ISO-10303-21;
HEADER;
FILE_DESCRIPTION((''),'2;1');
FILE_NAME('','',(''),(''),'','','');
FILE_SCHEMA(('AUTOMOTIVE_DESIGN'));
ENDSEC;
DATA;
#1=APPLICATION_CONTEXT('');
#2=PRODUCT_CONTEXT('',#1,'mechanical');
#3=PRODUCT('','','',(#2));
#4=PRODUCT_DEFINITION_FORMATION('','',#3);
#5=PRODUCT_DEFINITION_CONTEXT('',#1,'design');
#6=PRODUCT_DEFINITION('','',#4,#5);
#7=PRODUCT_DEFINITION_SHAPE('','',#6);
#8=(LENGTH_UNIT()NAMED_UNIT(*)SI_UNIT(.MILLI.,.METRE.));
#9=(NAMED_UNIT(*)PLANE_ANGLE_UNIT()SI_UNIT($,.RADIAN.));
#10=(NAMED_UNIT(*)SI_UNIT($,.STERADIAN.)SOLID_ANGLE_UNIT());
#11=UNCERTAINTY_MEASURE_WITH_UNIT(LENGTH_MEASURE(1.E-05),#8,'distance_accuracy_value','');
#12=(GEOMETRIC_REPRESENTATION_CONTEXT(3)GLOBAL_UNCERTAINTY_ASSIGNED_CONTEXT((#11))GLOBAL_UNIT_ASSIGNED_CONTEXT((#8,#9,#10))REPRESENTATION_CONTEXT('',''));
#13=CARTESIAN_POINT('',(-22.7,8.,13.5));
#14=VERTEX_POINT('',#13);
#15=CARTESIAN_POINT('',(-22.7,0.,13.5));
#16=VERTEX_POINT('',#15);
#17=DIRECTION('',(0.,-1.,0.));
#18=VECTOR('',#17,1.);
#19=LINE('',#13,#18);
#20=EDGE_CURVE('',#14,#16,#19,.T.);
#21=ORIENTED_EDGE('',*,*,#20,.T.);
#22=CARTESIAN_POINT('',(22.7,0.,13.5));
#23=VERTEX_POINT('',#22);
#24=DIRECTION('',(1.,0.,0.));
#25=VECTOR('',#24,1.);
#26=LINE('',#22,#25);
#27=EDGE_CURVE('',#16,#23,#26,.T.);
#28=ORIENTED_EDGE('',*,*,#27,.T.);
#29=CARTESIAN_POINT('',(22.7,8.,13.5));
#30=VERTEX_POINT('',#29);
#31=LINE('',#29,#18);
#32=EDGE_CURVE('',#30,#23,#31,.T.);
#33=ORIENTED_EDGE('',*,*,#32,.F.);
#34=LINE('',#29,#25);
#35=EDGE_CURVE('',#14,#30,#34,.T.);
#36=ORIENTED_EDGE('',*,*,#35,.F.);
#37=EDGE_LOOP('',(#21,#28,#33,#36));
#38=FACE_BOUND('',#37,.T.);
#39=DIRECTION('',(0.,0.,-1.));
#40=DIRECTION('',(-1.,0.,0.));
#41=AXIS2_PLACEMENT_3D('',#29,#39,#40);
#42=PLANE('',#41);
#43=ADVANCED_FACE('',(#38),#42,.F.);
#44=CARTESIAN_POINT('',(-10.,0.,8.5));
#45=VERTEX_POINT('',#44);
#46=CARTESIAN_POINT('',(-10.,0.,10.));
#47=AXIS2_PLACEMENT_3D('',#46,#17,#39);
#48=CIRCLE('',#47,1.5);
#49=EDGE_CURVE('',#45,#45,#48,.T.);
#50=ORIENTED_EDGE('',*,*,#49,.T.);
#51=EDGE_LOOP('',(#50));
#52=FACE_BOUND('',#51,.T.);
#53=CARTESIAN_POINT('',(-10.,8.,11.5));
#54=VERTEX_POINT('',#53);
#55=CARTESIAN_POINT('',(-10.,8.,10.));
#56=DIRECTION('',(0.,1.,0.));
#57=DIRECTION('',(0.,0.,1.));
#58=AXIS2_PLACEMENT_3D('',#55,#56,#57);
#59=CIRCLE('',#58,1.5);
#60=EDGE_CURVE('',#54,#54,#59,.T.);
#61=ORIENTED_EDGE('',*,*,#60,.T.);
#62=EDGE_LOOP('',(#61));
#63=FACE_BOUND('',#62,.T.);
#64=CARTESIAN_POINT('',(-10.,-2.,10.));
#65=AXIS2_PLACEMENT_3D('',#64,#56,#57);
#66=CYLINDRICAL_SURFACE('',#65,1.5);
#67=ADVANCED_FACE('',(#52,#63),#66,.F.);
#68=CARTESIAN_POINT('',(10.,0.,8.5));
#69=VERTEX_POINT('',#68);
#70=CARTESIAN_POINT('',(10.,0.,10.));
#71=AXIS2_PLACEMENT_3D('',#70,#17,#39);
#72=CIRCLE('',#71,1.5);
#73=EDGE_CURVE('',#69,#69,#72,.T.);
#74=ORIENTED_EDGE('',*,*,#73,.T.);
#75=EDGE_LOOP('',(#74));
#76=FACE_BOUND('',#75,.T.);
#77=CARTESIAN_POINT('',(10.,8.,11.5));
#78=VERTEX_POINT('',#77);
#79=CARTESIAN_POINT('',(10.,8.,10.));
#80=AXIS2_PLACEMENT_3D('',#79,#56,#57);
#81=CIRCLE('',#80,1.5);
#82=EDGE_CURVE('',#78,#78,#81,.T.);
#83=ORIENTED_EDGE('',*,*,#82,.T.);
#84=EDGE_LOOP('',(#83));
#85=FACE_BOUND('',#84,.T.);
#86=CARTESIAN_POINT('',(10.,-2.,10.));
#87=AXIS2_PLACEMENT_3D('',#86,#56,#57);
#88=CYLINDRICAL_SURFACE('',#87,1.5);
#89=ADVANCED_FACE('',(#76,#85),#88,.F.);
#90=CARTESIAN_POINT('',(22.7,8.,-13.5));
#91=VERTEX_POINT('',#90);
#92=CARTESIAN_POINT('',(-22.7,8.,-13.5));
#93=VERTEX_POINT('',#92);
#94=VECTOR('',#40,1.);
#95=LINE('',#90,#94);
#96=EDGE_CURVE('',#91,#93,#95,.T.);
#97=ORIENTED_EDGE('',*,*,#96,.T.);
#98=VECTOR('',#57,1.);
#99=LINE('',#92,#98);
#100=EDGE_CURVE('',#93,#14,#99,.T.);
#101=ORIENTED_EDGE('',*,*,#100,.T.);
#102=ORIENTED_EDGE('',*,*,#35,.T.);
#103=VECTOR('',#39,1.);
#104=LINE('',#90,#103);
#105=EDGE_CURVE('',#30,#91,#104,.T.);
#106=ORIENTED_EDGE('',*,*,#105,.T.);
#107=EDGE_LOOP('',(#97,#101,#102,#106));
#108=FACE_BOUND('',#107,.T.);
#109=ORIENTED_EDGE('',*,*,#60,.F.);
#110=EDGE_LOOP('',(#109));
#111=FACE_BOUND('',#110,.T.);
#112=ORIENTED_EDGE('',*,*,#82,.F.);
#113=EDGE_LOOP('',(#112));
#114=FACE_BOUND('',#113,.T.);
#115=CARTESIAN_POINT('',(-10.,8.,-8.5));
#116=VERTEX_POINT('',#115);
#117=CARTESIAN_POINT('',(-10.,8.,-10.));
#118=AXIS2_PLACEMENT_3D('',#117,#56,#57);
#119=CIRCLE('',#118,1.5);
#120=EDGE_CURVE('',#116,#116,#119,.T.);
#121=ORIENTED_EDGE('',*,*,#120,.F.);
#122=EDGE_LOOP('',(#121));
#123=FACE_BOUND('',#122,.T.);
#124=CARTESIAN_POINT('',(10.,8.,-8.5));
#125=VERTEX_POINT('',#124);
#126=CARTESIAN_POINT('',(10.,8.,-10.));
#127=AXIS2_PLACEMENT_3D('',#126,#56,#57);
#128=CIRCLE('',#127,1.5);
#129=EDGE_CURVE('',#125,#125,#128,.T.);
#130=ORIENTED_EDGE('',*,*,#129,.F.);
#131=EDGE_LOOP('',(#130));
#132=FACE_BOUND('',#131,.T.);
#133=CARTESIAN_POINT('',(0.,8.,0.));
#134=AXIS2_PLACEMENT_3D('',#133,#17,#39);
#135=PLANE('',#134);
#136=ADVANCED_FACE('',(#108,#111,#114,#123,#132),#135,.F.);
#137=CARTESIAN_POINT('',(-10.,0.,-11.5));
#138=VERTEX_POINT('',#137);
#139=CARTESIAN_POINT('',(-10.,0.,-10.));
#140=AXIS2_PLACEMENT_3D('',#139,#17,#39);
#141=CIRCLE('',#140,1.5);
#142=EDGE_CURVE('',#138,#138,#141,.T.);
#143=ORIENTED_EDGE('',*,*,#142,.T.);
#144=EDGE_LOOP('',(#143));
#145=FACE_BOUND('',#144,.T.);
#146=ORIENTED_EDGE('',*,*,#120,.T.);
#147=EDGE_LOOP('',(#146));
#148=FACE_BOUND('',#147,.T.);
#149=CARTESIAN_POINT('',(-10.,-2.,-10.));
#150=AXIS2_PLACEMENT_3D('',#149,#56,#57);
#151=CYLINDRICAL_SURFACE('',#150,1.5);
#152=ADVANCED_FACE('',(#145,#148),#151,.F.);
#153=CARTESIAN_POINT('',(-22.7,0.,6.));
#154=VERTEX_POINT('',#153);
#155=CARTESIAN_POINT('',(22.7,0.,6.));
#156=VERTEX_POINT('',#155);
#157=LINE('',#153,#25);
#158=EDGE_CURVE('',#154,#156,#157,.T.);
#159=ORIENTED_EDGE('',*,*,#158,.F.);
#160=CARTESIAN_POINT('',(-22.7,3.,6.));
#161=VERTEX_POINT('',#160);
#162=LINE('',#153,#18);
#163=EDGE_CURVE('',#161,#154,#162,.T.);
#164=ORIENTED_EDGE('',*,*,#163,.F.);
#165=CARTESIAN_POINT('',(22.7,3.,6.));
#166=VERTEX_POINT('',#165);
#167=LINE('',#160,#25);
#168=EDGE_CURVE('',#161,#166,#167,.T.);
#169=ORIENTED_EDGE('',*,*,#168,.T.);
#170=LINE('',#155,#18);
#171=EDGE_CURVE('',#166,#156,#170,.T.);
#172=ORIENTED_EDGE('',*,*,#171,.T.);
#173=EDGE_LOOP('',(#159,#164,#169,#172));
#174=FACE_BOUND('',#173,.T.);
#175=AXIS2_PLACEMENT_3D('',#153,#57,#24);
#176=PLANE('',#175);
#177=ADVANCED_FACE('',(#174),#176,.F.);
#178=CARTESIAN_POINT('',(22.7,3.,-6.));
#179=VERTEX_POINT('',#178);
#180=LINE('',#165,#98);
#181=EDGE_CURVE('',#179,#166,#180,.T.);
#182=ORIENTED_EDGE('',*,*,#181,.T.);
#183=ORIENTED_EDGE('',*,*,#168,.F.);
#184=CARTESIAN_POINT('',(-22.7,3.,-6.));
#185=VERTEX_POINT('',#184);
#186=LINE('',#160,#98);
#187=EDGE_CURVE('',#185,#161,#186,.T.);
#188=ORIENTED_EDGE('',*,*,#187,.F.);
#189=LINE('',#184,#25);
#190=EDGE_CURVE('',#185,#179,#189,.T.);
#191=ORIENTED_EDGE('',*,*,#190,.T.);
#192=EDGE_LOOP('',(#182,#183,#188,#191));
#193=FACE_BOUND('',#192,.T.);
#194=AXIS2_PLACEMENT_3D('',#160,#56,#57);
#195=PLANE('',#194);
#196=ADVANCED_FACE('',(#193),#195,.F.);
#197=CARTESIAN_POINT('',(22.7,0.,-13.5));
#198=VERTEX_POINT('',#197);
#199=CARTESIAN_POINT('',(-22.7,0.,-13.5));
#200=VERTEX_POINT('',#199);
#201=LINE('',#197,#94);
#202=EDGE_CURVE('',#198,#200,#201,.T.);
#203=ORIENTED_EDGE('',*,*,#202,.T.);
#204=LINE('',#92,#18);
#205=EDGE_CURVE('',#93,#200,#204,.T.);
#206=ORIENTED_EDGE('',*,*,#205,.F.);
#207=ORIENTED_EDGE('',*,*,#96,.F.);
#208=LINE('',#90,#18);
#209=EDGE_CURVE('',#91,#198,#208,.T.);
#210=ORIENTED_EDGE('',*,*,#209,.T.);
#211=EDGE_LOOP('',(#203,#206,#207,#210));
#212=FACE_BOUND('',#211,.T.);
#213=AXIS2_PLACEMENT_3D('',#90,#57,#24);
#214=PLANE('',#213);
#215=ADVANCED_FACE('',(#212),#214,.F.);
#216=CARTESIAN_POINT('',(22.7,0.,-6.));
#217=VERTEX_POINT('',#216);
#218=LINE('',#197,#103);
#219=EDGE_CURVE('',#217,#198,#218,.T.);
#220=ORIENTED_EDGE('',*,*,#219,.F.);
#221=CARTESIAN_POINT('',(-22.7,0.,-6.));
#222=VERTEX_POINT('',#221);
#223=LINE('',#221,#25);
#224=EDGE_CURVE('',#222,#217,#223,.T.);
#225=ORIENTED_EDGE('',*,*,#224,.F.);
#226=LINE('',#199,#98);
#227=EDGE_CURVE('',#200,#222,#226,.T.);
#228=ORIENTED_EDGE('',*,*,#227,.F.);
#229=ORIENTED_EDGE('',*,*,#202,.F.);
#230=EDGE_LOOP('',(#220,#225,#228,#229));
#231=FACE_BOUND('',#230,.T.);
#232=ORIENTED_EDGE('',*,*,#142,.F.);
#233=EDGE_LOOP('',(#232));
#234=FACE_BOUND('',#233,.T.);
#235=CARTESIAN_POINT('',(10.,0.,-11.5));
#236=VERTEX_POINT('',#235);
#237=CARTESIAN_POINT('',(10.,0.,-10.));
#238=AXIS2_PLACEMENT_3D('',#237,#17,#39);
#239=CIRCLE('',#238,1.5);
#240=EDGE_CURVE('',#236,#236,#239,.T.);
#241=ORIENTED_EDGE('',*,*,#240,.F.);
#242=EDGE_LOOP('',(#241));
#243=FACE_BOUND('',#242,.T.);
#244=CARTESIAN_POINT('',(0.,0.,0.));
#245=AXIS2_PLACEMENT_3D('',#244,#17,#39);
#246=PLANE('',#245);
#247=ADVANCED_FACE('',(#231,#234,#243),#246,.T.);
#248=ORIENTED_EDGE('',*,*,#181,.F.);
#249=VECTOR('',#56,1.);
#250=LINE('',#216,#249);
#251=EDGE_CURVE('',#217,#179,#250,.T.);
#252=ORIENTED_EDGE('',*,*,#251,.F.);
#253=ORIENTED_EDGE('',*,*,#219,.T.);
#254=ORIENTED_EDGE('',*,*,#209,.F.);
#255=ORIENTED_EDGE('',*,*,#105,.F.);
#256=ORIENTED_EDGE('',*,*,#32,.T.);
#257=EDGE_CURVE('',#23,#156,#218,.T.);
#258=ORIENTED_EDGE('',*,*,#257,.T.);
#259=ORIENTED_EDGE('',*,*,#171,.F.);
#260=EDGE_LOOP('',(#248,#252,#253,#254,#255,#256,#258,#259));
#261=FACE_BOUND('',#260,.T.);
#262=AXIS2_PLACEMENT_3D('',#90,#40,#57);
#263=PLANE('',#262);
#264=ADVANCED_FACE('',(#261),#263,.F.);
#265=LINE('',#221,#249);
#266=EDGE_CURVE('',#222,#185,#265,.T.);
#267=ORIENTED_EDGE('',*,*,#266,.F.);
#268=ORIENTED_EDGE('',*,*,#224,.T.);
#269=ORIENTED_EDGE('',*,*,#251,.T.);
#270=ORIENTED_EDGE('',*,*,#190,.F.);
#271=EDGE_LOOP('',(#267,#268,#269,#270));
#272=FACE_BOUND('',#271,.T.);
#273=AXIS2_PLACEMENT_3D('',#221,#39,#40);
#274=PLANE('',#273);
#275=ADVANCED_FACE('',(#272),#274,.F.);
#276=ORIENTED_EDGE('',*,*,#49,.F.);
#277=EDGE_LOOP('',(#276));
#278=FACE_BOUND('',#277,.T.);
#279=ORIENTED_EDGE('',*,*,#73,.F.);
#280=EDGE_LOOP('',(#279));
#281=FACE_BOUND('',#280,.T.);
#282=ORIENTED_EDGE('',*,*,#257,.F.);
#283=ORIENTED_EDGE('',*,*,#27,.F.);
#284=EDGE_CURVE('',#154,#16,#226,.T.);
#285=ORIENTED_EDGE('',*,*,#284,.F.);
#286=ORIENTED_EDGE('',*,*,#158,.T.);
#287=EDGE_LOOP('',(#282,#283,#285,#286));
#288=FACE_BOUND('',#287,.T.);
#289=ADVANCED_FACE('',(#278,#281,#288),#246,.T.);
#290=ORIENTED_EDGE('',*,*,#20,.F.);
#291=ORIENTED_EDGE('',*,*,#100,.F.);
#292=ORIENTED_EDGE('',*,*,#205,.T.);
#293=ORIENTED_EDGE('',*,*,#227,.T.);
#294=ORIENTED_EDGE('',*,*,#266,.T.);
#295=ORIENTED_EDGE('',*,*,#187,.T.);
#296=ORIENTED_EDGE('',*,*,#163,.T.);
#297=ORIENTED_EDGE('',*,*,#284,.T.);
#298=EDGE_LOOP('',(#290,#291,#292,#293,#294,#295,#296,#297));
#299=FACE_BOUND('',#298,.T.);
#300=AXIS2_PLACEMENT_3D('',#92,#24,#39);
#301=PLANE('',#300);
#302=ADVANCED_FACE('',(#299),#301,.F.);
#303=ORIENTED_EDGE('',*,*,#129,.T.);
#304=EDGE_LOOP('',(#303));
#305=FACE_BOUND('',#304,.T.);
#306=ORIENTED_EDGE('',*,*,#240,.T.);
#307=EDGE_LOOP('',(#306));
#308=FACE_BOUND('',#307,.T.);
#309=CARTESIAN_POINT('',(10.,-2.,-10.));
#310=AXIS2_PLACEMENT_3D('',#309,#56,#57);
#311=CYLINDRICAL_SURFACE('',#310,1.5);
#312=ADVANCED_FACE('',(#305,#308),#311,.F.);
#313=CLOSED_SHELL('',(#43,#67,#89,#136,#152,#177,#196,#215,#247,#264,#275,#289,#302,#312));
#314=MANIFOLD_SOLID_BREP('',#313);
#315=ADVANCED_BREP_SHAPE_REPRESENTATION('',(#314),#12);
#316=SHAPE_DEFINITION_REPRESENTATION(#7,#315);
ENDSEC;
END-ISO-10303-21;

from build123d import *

# Parameters (mm, degrees)
SKETCH1_W           = 45.4
SKETCH1_H           = 27
BOSS_EXTRUDE1_DEPTH = 8
SKETCH2_W           = 12
SKETCH2_H           = 3
CUT_EXTRUDE1_DEPTH  = 49.0355077
SKETCH3_R           = 1.5
CUT_EXTRUDE2_DEPTH  = 10


with BuildPart() as part:
    # Sketch1 → Boss-Extrude1 (new body)
    with BuildSketch(Plane(origin=(0, 0, 0), x_dir=(1, 0, 0), z_dir=(0, 1, 0))):
        Rectangle(SKETCH1_W, SKETCH1_H)
    extrude(amount=BOSS_EXTRUDE1_DEPTH)

    # Sketch2 → Cut-Extrude1 (cut, through all)
    with BuildSketch(Plane(origin=(22.7, 0, 0), x_dir=(0, 0, -1), z_dir=(1, 0, 0))):
        with Locations((0, 1.5)):
            Rectangle(SKETCH2_W, SKETCH2_H)
    extrude(amount=-CUT_EXTRUDE1_DEPTH, mode=Mode.SUBTRACT)

    # Sketch3 → Cut-Extrude2 (cut)
    with BuildSketch(Plane(origin=(0, 8, 0), x_dir=(1, 0, 0), z_dir=(0, 1, 0))):
        with Locations(Location((10, -10, 0), (0, 0, 270))):
            Circle(SKETCH3_R)
        with Locations(Location((-10, -10, 0), (0, 0, 270))):
            Circle(SKETCH3_R)
        with Locations(Location((-10, 10, 0), (0, 0, 270))):
            Circle(SKETCH3_R)
        with Locations(Location((10, 10, 0), (0, 0, 270))):
            Circle(SKETCH3_R)
    extrude(amount=-CUT_EXTRUDE2_DEPTH, mode=Mode.SUBTRACT)


solid = part.part
